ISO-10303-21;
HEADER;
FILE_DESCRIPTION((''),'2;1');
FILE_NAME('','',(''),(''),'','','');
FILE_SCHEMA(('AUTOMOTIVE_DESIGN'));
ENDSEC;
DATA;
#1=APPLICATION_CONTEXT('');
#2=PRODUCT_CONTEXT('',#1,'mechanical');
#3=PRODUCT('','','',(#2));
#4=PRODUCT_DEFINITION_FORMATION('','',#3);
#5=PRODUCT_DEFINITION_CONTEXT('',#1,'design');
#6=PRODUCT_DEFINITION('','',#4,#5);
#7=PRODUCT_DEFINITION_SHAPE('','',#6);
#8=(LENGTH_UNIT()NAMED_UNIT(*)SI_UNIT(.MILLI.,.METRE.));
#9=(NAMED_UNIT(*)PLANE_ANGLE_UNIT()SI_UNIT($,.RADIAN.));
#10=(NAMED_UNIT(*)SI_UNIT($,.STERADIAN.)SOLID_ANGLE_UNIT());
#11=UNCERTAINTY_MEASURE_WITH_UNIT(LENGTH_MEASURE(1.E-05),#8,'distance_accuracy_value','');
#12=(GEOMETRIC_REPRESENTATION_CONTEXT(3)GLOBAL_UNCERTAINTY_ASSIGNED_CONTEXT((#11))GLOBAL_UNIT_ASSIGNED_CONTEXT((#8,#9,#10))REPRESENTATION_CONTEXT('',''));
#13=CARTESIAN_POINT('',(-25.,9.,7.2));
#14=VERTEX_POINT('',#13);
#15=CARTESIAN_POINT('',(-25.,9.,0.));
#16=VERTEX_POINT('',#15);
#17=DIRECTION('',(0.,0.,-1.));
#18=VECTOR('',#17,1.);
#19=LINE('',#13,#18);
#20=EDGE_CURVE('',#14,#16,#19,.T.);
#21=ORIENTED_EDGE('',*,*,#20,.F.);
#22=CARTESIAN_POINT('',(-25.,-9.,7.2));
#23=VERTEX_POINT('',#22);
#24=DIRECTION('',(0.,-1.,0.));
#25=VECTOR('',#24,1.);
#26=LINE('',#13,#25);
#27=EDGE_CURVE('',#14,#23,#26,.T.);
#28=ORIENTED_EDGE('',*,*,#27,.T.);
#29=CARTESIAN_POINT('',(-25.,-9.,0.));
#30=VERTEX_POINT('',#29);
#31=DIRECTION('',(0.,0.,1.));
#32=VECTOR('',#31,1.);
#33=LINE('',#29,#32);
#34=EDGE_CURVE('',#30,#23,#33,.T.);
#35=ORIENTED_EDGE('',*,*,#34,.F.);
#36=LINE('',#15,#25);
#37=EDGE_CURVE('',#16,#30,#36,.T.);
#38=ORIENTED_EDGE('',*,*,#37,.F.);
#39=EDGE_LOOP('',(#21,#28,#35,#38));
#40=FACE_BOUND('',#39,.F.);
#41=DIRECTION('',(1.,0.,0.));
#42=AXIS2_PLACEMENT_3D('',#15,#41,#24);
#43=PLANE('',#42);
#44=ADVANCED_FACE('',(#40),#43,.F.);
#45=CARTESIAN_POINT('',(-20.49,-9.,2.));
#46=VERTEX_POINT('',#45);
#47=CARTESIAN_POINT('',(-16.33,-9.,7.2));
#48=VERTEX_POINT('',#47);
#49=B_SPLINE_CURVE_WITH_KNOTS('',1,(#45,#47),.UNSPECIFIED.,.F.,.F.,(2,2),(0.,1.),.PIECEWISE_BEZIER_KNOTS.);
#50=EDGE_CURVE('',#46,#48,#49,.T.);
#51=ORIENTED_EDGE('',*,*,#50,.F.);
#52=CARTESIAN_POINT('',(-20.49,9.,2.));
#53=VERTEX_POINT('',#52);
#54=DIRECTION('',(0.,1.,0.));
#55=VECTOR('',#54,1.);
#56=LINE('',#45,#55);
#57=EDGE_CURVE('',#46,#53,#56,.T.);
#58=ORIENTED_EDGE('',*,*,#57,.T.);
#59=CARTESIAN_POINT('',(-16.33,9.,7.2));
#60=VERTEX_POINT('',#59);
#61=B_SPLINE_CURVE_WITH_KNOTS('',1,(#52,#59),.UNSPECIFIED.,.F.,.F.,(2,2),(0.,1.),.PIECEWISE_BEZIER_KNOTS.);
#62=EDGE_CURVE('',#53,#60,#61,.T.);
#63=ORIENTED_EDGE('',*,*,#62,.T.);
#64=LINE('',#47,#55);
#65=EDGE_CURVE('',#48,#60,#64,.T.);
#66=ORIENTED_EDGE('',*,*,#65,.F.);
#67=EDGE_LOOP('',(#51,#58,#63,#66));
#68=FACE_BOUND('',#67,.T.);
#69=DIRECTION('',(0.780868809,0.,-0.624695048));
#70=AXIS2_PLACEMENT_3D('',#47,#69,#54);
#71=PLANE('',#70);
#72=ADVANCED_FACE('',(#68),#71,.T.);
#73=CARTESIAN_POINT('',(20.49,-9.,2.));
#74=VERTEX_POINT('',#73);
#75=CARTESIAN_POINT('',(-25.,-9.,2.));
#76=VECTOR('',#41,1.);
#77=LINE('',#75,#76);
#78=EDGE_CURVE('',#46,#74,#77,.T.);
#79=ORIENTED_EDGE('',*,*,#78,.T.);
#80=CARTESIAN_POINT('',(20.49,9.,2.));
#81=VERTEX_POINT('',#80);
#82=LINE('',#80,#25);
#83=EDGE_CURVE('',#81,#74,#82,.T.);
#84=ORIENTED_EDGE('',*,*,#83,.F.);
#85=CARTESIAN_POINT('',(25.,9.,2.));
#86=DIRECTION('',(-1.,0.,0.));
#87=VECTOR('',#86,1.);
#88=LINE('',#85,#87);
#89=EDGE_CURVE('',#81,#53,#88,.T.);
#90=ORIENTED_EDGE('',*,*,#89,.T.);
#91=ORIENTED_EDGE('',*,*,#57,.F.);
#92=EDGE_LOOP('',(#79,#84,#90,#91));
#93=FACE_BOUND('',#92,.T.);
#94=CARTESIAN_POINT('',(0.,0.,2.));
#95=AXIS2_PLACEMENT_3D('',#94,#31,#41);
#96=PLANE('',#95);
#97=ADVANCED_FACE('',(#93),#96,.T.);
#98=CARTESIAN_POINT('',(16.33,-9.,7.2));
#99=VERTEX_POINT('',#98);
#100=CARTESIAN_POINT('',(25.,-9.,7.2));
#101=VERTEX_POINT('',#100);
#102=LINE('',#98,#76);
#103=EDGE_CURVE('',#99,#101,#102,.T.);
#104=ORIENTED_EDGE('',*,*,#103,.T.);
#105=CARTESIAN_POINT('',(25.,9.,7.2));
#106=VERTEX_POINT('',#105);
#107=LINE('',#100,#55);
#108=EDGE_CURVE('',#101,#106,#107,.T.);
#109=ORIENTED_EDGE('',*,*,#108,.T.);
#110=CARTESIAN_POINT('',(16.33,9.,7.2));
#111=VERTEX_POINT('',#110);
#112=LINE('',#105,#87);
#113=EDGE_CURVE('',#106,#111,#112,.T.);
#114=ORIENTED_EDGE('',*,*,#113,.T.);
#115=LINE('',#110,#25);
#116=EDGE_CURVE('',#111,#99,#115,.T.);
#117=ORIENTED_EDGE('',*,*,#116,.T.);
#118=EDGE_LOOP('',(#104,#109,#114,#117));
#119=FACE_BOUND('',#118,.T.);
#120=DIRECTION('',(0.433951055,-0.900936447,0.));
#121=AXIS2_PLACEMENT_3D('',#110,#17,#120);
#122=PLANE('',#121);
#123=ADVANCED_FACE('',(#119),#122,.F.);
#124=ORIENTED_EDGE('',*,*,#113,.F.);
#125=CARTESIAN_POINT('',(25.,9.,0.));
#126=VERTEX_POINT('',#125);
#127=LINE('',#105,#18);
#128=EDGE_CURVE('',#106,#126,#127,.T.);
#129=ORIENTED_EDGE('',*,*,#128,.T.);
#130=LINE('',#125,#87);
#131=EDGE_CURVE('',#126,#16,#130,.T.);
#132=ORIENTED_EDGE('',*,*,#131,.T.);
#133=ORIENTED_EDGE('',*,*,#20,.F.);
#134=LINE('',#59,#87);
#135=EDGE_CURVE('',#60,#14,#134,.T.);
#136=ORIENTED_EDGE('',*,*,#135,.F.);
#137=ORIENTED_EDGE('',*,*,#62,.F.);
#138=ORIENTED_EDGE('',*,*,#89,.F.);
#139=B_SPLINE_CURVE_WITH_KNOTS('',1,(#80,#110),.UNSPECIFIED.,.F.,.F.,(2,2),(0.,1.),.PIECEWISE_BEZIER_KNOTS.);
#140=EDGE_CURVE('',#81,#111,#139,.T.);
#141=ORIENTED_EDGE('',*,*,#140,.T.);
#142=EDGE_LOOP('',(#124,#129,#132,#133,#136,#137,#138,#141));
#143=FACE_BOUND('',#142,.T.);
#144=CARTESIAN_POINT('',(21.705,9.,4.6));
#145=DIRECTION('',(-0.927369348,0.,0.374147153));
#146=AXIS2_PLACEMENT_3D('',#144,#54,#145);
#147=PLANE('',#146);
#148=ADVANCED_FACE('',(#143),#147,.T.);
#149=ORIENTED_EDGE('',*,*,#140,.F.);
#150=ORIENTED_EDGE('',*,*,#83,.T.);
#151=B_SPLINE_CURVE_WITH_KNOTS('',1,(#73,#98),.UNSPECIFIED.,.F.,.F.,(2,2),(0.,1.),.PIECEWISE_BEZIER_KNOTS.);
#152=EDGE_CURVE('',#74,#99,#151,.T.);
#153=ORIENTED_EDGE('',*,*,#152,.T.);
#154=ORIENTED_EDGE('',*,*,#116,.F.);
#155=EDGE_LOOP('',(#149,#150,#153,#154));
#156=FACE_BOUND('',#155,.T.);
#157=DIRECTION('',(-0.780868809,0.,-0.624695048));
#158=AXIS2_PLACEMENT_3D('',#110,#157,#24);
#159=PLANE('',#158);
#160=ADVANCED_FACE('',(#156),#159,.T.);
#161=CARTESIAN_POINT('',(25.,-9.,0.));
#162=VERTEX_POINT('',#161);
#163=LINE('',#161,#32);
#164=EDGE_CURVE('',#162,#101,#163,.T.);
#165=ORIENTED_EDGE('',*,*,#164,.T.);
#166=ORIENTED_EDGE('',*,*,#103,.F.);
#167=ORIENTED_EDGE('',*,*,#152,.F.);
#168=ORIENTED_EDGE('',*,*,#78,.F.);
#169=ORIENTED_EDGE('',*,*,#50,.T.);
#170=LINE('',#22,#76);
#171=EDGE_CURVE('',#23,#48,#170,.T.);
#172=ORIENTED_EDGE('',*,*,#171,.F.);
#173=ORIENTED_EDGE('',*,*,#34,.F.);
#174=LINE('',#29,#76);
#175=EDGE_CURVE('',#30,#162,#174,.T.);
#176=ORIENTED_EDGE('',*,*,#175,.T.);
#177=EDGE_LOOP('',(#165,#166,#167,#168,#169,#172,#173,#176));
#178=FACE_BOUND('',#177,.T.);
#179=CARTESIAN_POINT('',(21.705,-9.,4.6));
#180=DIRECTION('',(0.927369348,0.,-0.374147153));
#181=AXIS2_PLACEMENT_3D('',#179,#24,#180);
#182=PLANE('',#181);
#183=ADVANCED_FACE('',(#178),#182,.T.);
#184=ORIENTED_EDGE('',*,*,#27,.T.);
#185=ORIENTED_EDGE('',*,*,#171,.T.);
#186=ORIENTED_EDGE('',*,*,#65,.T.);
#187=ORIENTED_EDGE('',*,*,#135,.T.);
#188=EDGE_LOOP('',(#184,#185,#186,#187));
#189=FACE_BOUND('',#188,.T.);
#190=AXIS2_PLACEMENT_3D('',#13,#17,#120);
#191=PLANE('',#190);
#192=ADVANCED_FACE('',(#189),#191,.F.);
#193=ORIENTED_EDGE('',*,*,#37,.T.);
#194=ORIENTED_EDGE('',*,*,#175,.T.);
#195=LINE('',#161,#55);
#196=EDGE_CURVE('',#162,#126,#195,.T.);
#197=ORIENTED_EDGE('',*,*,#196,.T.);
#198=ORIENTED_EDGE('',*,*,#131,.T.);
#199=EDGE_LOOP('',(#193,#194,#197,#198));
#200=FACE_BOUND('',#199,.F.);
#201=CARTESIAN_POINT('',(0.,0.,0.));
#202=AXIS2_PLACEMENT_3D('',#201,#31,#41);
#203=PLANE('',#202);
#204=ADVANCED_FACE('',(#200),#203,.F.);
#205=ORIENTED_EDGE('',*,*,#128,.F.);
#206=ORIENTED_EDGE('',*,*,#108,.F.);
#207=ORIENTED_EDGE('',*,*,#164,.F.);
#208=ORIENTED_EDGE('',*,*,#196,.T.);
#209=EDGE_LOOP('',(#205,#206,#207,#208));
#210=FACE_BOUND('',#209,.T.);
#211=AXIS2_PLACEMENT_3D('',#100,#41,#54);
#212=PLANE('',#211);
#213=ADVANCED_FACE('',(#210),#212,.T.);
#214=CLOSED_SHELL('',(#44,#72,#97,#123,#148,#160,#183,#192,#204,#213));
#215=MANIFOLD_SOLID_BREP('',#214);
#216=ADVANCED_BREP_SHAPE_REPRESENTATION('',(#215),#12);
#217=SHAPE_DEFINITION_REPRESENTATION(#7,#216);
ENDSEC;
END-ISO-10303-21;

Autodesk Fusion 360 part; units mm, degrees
ref_plane "工作平面1" through (0, 0, 0) normal (0, 0, 1) x (1, 0, 0)
sketch "草图1" plane through (0, 0, 0) normal (0, 0, 1) x (1, 0, 0)
  line L0 (-25, -9) -> (25, -9)
  line L1 (25, -9) -> (25, 9)
  line L2 (25, 9) -> (-25, 9)
  line L3 (-25, 9) -> (-25, -9)
extrude "Coupon base" add sketch "草图1" along normal blind 2
ref_plane "工作平面2" through (0, 0, 2) normal (0, 0, 1) x (1, 0, 0)
sketch "草图2" plane through (0, 0, 2) normal (0, 0, 1) x (1, 0, 0)
  line L0 (-25, -9) -> (-20.49, -9)
  line L1 (-20.49, -9) -> (-20.49, 9)
  line L2 (-20.49, 9) -> (-25, 9)
  line L3 (-25, 9) -> (-25, -9)
ref_plane "工作平面3" through (0, 0, 7.2) normal (0, 0, 1) x (1, 0, 0)
sketch "草图3" plane through (0, 0, 7.2) normal (0, 0, 1) x (1, 0, 0)
  line L0 (-25, -9) -> (-16.33, -9)
  line L1 (-16.33, -9) -> (-16.33, 9)
  line L2 (-16.33, 9) -> (-25, 9)
  line L3 (-25, 9) -> (-25, -9)
loft "Coupon dovetail rail" add profiles "草图2", "草图3" section 1 section 2
ref_plane "工作平面4" through (0, 0, 2) normal (0, 0, 1) x (1, 0, 0)
sketch "草图4" plane through (0, 0, 2) normal (0, 0, 1) x (1, 0, 0)
  line L0 (20.49, -9) -> (25, -9)
  line L1 (25, -9) -> (25, 9)
  line L2 (25, 9) -> (20.49, 9)
  line L3 (20.49, 9) -> (20.49, -9)
ref_plane "工作平面5" through (0, 0, 7.2) normal (0, 0, 1) x (1, 0, 0)
sketch "草图5" plane through (0, 0, 7.2) normal (0, 0, 1) x (1, 0, 0)
  line L0 (16.33, -9) -> (25, -9)
  line L1 (25, -9) -> (25, 9)
  line L2 (25, 9) -> (16.33, 9)
  line L3 (16.33, 9) -> (16.33, -9)
loft "Coupon dovetail rail (1)" add profiles "草图4", "草图5" section 1 section 2
